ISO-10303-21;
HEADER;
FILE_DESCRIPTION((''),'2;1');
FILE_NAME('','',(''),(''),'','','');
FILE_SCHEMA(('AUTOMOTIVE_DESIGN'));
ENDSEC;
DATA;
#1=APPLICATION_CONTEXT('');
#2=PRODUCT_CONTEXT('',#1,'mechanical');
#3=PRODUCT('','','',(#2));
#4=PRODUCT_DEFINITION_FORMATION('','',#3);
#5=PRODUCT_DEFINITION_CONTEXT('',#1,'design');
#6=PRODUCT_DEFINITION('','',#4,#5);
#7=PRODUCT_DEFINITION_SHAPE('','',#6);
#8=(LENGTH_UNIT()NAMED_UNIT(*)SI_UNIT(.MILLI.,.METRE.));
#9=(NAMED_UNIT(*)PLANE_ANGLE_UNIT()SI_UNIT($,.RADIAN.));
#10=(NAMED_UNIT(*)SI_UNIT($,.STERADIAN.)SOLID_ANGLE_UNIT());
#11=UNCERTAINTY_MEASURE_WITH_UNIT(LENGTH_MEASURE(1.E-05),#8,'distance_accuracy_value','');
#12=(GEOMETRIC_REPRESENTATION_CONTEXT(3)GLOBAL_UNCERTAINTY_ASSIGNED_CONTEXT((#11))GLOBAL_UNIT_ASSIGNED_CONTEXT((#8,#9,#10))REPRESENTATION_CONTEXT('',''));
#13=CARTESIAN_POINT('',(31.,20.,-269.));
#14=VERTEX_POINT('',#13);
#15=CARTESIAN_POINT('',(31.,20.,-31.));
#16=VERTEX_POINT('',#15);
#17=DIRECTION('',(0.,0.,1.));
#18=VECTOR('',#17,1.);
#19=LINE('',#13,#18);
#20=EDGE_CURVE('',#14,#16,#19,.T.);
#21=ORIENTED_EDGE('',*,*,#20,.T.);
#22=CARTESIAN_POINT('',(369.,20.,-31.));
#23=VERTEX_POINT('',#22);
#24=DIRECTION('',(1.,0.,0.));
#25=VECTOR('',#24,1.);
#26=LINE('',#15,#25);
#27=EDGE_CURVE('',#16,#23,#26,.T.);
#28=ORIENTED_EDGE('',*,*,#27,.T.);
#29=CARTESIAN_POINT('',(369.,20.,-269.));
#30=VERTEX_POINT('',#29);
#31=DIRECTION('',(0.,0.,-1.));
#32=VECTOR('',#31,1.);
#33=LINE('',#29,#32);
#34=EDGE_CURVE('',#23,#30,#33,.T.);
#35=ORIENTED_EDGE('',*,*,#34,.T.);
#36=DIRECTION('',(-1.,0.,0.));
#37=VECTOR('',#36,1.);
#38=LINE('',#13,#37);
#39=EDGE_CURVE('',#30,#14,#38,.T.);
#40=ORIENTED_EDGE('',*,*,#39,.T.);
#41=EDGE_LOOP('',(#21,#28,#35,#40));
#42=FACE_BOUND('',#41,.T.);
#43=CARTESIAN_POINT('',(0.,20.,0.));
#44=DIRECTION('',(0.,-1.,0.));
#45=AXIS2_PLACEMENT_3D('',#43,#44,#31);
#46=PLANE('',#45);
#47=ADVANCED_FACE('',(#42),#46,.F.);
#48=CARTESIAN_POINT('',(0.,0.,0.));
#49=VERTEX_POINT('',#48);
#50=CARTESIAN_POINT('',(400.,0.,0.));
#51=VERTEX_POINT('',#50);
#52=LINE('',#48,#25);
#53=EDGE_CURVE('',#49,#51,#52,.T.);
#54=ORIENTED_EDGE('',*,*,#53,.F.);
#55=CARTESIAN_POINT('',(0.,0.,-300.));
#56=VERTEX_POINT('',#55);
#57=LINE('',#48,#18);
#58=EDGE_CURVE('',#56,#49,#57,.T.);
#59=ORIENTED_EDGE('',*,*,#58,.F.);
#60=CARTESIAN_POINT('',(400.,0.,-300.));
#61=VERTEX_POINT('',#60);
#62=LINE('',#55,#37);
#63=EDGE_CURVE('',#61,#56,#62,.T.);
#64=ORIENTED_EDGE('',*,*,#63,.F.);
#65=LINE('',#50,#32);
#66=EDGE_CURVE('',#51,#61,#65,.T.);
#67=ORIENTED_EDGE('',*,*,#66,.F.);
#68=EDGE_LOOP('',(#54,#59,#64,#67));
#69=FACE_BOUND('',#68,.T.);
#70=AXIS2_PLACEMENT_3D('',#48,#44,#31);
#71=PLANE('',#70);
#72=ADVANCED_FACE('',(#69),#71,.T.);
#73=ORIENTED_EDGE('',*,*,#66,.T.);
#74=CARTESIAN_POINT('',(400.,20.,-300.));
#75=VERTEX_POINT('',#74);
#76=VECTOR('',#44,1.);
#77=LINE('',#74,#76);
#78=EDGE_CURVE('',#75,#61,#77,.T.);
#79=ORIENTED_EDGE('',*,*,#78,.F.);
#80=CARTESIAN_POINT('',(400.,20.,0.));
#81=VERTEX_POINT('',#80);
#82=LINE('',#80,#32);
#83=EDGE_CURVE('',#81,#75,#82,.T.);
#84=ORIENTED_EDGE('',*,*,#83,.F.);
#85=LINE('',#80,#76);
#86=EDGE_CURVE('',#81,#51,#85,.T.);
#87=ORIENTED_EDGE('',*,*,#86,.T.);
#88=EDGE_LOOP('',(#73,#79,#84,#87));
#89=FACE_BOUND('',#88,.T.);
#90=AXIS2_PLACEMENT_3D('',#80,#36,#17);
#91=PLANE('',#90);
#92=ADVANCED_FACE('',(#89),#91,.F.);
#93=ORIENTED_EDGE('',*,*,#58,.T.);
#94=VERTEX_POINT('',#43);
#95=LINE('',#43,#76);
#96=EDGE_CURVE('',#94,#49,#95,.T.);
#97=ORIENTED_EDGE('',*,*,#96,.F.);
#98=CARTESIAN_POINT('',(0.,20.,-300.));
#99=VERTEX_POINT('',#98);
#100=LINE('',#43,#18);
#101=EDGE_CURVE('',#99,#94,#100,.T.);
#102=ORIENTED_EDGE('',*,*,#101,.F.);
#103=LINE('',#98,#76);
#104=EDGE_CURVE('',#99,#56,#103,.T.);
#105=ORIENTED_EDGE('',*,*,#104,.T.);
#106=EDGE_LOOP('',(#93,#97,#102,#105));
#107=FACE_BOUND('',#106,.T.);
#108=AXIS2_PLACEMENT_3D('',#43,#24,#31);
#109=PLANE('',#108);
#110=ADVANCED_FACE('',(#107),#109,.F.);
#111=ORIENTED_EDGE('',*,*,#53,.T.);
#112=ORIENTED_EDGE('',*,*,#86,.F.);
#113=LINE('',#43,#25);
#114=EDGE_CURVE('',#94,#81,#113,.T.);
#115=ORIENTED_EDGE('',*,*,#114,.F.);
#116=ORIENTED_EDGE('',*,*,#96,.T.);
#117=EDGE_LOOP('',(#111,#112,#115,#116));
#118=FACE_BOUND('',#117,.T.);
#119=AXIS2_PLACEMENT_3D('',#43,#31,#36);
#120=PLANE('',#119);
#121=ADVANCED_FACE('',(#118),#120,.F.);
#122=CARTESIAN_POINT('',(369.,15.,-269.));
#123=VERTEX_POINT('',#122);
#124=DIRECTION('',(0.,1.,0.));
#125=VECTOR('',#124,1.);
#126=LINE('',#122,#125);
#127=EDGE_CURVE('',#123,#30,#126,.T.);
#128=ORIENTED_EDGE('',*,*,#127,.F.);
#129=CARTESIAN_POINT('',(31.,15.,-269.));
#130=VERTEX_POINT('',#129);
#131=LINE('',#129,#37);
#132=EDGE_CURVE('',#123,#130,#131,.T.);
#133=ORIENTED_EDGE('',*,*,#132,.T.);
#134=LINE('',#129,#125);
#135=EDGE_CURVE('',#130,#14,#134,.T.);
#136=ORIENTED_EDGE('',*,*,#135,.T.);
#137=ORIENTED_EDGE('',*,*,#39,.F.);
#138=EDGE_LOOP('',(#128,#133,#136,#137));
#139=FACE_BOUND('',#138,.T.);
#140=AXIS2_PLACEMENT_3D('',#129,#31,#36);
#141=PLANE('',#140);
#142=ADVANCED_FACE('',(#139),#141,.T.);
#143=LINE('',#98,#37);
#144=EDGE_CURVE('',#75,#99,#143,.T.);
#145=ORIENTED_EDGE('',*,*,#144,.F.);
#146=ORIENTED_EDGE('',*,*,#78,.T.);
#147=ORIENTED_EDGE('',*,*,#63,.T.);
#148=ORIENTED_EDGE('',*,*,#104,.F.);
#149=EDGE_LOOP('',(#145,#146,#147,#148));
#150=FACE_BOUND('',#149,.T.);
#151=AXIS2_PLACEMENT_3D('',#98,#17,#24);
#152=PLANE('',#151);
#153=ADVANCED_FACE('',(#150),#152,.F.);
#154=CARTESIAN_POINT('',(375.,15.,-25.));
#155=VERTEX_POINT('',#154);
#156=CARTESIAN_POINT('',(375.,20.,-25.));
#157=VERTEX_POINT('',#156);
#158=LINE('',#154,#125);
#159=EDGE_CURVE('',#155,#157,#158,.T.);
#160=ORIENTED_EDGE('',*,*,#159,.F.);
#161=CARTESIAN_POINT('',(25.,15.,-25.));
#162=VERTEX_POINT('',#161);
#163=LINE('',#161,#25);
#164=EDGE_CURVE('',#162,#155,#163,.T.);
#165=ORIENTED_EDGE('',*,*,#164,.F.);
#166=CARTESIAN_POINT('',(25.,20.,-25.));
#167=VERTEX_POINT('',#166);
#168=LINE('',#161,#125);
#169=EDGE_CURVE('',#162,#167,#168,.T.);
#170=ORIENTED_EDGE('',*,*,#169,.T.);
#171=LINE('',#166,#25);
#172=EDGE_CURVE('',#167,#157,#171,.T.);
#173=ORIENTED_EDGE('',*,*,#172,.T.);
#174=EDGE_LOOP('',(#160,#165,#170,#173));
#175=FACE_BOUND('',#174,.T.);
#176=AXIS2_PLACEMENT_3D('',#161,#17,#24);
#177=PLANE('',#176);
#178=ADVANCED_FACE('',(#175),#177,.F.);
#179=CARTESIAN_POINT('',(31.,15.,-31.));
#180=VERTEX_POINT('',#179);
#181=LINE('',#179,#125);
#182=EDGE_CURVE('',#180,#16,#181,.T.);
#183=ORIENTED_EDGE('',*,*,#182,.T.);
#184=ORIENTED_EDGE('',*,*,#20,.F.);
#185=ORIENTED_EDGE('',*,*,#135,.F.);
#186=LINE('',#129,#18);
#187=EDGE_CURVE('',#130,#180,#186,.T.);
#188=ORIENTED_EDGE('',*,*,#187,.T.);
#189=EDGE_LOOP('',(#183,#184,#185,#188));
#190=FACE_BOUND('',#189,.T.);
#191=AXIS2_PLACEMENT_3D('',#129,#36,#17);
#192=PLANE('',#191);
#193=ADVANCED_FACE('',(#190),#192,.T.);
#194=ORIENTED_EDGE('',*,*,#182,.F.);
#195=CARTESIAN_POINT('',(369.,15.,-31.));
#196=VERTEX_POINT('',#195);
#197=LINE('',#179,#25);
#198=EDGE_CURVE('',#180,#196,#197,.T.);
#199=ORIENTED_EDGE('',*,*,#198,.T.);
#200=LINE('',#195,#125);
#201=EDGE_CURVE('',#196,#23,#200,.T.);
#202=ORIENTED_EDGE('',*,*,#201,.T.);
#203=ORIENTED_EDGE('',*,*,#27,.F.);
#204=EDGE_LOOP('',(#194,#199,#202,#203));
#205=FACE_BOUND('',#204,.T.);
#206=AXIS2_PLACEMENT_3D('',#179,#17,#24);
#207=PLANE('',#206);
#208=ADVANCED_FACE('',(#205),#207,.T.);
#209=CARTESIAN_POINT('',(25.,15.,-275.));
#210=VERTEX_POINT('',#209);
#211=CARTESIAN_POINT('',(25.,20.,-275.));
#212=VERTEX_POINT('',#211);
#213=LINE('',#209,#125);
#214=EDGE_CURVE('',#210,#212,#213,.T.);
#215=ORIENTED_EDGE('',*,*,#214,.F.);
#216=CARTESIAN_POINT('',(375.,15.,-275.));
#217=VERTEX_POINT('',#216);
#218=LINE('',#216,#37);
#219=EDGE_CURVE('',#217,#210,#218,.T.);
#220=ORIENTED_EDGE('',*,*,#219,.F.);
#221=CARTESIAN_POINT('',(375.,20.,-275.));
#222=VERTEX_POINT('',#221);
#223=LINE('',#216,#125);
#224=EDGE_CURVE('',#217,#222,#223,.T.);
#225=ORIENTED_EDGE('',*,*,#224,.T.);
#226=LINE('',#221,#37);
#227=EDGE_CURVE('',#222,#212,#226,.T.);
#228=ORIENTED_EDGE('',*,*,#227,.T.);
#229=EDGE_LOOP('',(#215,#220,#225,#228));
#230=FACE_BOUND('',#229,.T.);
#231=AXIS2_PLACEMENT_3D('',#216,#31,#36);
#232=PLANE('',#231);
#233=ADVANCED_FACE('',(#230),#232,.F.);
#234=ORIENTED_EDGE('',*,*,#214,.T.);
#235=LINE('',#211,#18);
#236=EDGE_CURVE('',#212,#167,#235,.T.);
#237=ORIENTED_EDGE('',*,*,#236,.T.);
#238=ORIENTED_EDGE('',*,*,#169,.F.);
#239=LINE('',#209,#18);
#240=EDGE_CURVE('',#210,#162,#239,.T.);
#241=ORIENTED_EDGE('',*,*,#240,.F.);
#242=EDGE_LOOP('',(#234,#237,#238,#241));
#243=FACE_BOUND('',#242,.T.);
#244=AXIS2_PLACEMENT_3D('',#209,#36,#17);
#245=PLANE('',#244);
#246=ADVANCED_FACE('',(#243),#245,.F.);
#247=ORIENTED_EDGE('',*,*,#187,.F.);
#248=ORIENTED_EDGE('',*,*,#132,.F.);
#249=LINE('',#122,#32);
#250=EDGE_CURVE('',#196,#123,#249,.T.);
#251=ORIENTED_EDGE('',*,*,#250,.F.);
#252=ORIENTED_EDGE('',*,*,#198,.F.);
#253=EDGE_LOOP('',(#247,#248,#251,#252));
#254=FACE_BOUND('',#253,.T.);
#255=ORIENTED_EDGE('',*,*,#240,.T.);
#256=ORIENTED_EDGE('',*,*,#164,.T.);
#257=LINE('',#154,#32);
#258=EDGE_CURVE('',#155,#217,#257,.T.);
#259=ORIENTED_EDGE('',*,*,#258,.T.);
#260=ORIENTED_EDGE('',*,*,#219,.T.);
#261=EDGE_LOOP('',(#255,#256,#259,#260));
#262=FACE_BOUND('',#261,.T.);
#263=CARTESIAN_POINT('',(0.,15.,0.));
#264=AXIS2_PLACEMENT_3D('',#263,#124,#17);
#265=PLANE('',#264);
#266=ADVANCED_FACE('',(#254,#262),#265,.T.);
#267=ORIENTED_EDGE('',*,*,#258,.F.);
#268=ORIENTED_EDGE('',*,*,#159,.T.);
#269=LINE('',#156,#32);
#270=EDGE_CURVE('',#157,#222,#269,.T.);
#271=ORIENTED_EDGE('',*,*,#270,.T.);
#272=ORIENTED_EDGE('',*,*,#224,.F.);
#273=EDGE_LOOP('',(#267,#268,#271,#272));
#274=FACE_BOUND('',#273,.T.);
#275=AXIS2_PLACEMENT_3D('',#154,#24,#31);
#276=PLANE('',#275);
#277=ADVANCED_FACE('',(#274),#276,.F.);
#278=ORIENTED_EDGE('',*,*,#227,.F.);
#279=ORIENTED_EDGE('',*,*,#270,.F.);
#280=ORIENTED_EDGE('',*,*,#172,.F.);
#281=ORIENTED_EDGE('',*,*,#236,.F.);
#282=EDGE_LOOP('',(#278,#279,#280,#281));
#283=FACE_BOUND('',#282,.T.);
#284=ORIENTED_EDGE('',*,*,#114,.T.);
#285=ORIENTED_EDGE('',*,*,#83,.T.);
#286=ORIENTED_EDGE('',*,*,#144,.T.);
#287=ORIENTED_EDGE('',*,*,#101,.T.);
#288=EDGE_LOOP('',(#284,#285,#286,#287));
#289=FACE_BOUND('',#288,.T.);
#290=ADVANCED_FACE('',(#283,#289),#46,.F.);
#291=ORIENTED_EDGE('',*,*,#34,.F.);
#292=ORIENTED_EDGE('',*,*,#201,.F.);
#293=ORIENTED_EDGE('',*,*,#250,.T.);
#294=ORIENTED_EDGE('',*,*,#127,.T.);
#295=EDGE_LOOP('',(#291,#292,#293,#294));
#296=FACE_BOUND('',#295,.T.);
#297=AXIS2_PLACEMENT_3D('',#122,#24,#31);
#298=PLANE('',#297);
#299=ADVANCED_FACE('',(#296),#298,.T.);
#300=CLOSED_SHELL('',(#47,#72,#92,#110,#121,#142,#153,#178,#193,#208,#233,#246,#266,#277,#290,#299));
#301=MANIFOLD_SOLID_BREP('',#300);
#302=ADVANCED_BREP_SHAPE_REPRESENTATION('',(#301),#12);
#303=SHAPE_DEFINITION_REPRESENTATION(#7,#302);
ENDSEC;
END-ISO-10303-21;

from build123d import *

# Parameters (mm, degrees)
SKETCH1_W           = 400
SKETCH1_H           = 300
BOSS_EXTRUDE1_DEPTH = 20
SKETCH2_W           = 350
SKETCH2_H           = 250
SKETCH2_W_2         = 338
SKETCH2_H_2         = 238
CUT_EXTRUDE1_DEPTH  = 5


with BuildPart() as part:
    # Sketch1 → Boss-Extrude1 (new body)
    with BuildSketch(Plane(origin=(0, 0, 0), x_dir=(1, 0, 0), z_dir=(0, 1, 0))):
        with Locations((200, 150)):
            Rectangle(SKETCH1_W, SKETCH1_H)
    extrude(amount=BOSS_EXTRUDE1_DEPTH)

    # Sketch2 → Cut-Extrude1 (cut)
    with BuildSketch(Plane(origin=(0, 20, 0), x_dir=(1, 0, 0), z_dir=(0, 1, 0))):
        with Locations((200, 150)):
            Rectangle(SKETCH2_W, SKETCH2_H)
        with Locations((200, 150)):
            Rectangle(SKETCH2_W_2, SKETCH2_H_2, mode=Mode.SUBTRACT)
    extrude(amount=-CUT_EXTRUDE1_DEPTH, mode=Mode.SUBTRACT)


solid = part.part
